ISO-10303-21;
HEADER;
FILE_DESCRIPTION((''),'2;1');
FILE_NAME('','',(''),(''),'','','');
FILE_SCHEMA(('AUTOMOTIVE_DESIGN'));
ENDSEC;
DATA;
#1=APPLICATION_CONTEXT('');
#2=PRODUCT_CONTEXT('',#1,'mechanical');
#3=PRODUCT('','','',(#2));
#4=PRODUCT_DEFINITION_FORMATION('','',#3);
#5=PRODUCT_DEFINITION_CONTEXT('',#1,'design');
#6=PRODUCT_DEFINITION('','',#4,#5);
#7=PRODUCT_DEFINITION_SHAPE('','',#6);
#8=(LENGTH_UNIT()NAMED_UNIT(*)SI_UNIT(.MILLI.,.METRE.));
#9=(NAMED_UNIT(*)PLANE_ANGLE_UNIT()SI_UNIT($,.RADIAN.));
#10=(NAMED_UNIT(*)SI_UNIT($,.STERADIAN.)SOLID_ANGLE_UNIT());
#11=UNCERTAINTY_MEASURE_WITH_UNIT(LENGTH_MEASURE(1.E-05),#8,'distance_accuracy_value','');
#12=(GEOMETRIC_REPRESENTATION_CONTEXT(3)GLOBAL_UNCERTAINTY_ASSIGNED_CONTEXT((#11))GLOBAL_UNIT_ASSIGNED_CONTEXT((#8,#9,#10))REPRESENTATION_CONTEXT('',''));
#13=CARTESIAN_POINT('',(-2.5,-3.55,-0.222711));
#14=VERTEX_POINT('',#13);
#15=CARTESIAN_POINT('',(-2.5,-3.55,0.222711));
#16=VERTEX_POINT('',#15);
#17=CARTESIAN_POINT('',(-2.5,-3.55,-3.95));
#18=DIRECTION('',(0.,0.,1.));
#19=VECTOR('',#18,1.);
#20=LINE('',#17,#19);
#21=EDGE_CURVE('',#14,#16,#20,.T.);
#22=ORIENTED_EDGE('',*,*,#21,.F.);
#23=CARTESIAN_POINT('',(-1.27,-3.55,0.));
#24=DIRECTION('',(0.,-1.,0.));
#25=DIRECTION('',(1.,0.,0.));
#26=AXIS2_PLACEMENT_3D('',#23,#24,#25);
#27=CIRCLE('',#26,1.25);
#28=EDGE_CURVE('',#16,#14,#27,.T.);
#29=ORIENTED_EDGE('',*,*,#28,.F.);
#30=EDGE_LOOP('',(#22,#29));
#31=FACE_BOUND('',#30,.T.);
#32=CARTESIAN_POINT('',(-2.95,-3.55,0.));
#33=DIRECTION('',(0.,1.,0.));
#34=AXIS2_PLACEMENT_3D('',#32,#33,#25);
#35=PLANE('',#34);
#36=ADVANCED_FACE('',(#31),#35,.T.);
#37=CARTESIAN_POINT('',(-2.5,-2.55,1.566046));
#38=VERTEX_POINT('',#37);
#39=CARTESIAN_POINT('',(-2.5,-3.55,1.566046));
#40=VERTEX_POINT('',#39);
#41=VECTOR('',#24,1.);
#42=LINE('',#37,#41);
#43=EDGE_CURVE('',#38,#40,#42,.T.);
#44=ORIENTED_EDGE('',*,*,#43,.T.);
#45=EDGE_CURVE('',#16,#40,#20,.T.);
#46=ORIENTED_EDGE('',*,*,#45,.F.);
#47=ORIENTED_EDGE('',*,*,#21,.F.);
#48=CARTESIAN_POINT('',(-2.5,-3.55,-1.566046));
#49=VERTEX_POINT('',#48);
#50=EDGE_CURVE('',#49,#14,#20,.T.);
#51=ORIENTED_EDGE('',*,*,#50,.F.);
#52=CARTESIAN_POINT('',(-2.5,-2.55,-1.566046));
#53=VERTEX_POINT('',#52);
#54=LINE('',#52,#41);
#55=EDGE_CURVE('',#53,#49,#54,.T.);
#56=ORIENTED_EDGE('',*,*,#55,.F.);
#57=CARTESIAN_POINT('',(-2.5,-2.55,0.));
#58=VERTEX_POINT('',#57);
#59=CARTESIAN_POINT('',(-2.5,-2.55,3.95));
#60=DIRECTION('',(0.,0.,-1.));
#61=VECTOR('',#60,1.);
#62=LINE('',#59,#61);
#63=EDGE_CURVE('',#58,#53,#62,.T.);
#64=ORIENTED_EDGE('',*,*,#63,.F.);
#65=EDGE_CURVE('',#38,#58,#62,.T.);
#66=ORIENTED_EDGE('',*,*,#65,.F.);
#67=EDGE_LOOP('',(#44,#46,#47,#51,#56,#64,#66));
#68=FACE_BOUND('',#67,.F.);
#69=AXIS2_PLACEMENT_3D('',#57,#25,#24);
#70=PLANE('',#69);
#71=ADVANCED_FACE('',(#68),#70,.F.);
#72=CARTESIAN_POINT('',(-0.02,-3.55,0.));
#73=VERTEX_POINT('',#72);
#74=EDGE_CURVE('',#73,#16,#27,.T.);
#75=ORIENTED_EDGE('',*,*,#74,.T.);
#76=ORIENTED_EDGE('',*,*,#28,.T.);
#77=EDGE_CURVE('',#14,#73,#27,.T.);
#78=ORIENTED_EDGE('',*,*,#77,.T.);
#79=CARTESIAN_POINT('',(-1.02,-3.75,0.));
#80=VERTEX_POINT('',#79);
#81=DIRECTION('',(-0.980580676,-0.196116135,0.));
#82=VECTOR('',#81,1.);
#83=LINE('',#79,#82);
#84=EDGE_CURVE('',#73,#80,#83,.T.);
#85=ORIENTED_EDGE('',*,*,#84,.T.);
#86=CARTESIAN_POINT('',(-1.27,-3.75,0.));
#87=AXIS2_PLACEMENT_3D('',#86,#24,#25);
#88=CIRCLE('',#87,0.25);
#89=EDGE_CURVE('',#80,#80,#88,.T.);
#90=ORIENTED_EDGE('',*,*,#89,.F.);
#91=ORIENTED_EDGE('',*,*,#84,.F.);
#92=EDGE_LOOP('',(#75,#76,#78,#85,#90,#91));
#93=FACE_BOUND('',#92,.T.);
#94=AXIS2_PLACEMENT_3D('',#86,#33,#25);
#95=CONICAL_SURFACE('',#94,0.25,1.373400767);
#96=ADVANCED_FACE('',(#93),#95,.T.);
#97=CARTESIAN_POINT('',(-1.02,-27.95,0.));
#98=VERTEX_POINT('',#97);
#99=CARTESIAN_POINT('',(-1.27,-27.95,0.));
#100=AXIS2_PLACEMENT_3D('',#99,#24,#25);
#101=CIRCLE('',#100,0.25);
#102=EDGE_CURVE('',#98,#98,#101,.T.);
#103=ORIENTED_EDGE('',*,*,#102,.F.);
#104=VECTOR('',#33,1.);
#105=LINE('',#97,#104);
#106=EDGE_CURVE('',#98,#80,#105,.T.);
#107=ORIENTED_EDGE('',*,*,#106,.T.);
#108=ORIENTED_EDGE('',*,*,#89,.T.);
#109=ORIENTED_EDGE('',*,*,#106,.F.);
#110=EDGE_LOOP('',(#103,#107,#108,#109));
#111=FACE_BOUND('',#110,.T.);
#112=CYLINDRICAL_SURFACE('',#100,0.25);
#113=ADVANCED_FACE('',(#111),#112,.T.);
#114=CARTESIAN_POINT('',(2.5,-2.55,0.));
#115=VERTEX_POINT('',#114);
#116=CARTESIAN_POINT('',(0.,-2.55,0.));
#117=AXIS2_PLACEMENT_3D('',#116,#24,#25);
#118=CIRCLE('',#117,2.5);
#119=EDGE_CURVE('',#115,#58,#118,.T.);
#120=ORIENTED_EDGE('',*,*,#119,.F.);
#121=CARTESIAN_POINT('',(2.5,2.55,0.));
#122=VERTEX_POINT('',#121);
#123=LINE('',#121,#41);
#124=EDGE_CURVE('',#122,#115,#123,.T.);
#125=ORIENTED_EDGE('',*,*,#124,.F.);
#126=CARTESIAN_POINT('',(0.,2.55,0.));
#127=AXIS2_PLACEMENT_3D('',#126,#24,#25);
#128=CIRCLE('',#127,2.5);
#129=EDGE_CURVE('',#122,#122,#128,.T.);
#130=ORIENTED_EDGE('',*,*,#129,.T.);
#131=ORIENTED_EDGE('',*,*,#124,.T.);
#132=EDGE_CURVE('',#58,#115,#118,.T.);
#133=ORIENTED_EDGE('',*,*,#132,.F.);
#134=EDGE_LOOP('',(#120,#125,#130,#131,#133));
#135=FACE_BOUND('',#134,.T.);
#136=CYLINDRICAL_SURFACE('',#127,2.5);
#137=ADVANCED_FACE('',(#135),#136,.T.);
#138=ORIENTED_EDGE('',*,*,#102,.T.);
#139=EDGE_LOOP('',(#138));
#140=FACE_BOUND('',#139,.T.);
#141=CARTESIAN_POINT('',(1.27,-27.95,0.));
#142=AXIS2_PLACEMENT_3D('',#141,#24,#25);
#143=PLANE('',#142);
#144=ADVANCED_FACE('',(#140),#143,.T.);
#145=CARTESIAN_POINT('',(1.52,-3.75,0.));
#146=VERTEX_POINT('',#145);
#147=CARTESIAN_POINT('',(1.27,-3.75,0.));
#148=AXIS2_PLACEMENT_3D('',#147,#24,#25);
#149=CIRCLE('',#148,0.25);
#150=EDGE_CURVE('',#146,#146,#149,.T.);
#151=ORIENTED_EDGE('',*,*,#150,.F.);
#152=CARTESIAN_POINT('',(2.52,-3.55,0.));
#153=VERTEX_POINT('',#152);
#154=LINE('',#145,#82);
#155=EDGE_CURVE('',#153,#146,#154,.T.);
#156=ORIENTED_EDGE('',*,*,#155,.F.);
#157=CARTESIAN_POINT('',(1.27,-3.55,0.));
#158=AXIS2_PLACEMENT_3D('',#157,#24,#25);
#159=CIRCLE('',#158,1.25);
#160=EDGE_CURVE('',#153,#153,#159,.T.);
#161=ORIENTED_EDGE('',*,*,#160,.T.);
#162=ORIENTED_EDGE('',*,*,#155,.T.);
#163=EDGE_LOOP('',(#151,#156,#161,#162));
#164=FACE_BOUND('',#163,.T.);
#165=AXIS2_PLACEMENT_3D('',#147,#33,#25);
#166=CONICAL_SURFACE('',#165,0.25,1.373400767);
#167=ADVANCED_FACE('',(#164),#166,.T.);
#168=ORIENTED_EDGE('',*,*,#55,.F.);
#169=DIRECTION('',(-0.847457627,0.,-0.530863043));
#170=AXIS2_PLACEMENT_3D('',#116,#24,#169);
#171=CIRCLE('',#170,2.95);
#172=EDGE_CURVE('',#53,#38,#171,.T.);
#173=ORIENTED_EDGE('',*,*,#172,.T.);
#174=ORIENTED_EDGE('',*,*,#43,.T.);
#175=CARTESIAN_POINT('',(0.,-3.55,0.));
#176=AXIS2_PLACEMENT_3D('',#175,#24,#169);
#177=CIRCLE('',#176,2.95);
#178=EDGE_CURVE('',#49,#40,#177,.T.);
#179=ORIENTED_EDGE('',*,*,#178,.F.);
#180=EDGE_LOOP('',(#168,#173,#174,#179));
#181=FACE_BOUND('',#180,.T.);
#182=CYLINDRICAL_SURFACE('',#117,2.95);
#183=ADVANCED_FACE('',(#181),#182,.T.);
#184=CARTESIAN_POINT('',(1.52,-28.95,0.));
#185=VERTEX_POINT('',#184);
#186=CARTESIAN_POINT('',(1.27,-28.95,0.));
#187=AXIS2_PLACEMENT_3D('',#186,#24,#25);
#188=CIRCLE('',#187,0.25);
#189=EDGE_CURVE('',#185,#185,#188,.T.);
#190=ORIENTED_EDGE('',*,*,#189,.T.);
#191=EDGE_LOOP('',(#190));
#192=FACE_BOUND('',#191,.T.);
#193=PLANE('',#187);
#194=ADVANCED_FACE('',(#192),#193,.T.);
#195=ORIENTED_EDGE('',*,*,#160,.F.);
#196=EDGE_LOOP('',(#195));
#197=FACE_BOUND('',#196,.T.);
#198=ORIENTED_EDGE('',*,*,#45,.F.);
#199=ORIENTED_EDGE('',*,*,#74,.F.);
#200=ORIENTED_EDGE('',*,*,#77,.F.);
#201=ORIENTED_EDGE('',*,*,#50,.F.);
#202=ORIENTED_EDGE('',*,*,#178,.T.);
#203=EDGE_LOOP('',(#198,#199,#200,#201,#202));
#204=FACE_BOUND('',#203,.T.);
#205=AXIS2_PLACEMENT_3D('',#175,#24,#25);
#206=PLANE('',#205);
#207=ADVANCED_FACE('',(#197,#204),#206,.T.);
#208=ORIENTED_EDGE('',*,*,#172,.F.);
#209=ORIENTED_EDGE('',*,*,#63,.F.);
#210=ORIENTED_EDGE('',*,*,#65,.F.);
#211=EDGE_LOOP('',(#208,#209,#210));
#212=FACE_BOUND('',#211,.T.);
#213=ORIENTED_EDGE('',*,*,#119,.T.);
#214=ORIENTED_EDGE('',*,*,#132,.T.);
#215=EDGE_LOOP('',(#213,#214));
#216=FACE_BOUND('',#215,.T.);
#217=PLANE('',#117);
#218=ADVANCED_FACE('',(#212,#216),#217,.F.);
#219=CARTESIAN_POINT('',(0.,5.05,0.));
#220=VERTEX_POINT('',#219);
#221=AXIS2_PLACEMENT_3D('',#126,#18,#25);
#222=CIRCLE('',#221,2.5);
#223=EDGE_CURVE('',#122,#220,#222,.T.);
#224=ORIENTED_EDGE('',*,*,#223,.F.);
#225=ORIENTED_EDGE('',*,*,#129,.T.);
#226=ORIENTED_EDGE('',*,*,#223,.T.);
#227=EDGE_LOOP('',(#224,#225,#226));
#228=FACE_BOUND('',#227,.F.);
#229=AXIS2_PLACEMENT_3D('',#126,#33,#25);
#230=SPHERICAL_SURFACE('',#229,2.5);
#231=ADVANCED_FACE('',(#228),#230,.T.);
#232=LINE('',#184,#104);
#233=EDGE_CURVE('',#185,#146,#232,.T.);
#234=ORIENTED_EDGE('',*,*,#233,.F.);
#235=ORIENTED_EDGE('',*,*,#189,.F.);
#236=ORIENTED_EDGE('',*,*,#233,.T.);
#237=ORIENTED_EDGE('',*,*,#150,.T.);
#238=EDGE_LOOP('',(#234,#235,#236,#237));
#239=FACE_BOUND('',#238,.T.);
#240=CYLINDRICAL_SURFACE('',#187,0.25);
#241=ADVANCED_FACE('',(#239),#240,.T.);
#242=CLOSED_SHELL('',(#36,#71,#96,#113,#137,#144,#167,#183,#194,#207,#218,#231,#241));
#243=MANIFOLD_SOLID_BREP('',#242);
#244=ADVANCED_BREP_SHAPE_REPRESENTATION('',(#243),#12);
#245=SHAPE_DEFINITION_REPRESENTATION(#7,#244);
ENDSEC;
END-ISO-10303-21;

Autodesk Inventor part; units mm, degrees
ref_plane "YZ Plane" through (0, 0, 0) normal (1, 0, 0) x (0, 1, 0)
sketch "Sketch1" plane through (0, 0, 0) normal (0, 0, 1) x (1, 0, 0)
  line L0 (2.5, -2.55) -> (-2.5, -2.55)
  line L1 (-2.5, -2.55) -> (-2.5, 2.55)
  line L2 (-2.5, 2.55) -> (2.5, 2.55)
  line L3 (2.5, 2.55) -> (2.5, -2.55)
  line L4 (2.5, -2.55) -> (-2.5, 2.55) construction
  line L5 (-2.5, -2.55) -> (2.5, 2.55) construction
  arc A0 (2.5, 2.55) -> (-2.5, 2.55) centre (0, 2.55) ccw
  line L6 (-2.95, -2.55) -> (2.95, -2.55)
  line L7 (2.95, -2.55) -> (2.95, -3.55)
  line L8 (2.95, -3.55) -> (-2.95, -3.55)
  line L9 (-2.95, -3.55) -> (-2.95, -2.55)
  line L10 (0, 5.05) -> (0, -3.55)
  point P0 (0, 0)
  point P1 (0, -2.55)
  point P2 (0, -2.55)
  dimension "d0" = 5
  dimension "d1" = 1
  dimension "d2" = 5.9
  dimension "d3" = 8.6
revolve "Revolution1" add sketch "Sketch1" angle 360 about axis through (0, 5.05, 0) along (0, -1, 0) picked at (1.5632, 3.097) contours L6 L7 L8 L10 L0 | L0 L10 L2 L3 | L2 L10 A0
sketch "Sketch2" plane through (0, 0, 0) normal (0, 0, 1) x (1, 0, 0)
  line L0 (-2.95, -3.55) -> (2.95, -3.55) projected
  line L1 (-1.27, -3.55) -> (-1.27, -27.95)
  line L2 (1.27, -3.55) -> (1.27, -28.95)
  line L3 (-2.95, -2.55) -> (-2.95, -3.55) projected
  line L4 (-2.95, -2.55) -> (2.95, -2.55) projected
  line L5 (-2.5, 2.55) -> (-2.5, -2.55) projected
  line L6 (-2.5, -2.55) -> (-2.5, -3.55)
  point P0 (0, 0)
  point P1 (0, -3.55)
  dimension "d5" = 2.54
  dimension "d6" = 1.27
  dimension "d7" = 25.4
  dimension "d8" = 1
ref_plane "Work Plane1" through (1.27, -28.95, 0) normal (0, -1, 0) x (1, 0, 0)
ref_plane "Work Plane2" through (-1.27, -27.95, 0) normal (0, -1, 0) x (1, 0, 0)
sketch "Sketch3" plane through (1.27, -28.95, 0) normal (0, -1, 0) x (1, 0, 0)
  circle A0 centre (0, 0) radius 0.25
  circle A1 centre (-2.54, 0) radius 0.25
  point P0 (-1.27, 0)
  dimension "d9" = 0.5
extrude "Extrusion1" add sketch "Sketch3" against normal up to surface (25.4 mm away) contours A0
extrude "Extrusion2" add sketch "Sketch3" against normal up to surface (24.4 mm away) from surface at -1 contours A1
chamfer "Chamfer1" distance 1 distance2 0.2 1 edges at (-1.52, -3.55, 0) measured on face at (0.1185, -3.55, -1.0867)
chamfer "Chamfer2" distance 1 distance2 0.2 1 edges at (1.02, -3.55, 0) measured on face at (0.8409, -3.55, -1.1635)
extrude "Extrusion3" cut sketch "Sketch2" along normal through all both and the other way through all
equation "\"d6\" = 0.5 * d5"
properties part number "5mm_LED_Red"
